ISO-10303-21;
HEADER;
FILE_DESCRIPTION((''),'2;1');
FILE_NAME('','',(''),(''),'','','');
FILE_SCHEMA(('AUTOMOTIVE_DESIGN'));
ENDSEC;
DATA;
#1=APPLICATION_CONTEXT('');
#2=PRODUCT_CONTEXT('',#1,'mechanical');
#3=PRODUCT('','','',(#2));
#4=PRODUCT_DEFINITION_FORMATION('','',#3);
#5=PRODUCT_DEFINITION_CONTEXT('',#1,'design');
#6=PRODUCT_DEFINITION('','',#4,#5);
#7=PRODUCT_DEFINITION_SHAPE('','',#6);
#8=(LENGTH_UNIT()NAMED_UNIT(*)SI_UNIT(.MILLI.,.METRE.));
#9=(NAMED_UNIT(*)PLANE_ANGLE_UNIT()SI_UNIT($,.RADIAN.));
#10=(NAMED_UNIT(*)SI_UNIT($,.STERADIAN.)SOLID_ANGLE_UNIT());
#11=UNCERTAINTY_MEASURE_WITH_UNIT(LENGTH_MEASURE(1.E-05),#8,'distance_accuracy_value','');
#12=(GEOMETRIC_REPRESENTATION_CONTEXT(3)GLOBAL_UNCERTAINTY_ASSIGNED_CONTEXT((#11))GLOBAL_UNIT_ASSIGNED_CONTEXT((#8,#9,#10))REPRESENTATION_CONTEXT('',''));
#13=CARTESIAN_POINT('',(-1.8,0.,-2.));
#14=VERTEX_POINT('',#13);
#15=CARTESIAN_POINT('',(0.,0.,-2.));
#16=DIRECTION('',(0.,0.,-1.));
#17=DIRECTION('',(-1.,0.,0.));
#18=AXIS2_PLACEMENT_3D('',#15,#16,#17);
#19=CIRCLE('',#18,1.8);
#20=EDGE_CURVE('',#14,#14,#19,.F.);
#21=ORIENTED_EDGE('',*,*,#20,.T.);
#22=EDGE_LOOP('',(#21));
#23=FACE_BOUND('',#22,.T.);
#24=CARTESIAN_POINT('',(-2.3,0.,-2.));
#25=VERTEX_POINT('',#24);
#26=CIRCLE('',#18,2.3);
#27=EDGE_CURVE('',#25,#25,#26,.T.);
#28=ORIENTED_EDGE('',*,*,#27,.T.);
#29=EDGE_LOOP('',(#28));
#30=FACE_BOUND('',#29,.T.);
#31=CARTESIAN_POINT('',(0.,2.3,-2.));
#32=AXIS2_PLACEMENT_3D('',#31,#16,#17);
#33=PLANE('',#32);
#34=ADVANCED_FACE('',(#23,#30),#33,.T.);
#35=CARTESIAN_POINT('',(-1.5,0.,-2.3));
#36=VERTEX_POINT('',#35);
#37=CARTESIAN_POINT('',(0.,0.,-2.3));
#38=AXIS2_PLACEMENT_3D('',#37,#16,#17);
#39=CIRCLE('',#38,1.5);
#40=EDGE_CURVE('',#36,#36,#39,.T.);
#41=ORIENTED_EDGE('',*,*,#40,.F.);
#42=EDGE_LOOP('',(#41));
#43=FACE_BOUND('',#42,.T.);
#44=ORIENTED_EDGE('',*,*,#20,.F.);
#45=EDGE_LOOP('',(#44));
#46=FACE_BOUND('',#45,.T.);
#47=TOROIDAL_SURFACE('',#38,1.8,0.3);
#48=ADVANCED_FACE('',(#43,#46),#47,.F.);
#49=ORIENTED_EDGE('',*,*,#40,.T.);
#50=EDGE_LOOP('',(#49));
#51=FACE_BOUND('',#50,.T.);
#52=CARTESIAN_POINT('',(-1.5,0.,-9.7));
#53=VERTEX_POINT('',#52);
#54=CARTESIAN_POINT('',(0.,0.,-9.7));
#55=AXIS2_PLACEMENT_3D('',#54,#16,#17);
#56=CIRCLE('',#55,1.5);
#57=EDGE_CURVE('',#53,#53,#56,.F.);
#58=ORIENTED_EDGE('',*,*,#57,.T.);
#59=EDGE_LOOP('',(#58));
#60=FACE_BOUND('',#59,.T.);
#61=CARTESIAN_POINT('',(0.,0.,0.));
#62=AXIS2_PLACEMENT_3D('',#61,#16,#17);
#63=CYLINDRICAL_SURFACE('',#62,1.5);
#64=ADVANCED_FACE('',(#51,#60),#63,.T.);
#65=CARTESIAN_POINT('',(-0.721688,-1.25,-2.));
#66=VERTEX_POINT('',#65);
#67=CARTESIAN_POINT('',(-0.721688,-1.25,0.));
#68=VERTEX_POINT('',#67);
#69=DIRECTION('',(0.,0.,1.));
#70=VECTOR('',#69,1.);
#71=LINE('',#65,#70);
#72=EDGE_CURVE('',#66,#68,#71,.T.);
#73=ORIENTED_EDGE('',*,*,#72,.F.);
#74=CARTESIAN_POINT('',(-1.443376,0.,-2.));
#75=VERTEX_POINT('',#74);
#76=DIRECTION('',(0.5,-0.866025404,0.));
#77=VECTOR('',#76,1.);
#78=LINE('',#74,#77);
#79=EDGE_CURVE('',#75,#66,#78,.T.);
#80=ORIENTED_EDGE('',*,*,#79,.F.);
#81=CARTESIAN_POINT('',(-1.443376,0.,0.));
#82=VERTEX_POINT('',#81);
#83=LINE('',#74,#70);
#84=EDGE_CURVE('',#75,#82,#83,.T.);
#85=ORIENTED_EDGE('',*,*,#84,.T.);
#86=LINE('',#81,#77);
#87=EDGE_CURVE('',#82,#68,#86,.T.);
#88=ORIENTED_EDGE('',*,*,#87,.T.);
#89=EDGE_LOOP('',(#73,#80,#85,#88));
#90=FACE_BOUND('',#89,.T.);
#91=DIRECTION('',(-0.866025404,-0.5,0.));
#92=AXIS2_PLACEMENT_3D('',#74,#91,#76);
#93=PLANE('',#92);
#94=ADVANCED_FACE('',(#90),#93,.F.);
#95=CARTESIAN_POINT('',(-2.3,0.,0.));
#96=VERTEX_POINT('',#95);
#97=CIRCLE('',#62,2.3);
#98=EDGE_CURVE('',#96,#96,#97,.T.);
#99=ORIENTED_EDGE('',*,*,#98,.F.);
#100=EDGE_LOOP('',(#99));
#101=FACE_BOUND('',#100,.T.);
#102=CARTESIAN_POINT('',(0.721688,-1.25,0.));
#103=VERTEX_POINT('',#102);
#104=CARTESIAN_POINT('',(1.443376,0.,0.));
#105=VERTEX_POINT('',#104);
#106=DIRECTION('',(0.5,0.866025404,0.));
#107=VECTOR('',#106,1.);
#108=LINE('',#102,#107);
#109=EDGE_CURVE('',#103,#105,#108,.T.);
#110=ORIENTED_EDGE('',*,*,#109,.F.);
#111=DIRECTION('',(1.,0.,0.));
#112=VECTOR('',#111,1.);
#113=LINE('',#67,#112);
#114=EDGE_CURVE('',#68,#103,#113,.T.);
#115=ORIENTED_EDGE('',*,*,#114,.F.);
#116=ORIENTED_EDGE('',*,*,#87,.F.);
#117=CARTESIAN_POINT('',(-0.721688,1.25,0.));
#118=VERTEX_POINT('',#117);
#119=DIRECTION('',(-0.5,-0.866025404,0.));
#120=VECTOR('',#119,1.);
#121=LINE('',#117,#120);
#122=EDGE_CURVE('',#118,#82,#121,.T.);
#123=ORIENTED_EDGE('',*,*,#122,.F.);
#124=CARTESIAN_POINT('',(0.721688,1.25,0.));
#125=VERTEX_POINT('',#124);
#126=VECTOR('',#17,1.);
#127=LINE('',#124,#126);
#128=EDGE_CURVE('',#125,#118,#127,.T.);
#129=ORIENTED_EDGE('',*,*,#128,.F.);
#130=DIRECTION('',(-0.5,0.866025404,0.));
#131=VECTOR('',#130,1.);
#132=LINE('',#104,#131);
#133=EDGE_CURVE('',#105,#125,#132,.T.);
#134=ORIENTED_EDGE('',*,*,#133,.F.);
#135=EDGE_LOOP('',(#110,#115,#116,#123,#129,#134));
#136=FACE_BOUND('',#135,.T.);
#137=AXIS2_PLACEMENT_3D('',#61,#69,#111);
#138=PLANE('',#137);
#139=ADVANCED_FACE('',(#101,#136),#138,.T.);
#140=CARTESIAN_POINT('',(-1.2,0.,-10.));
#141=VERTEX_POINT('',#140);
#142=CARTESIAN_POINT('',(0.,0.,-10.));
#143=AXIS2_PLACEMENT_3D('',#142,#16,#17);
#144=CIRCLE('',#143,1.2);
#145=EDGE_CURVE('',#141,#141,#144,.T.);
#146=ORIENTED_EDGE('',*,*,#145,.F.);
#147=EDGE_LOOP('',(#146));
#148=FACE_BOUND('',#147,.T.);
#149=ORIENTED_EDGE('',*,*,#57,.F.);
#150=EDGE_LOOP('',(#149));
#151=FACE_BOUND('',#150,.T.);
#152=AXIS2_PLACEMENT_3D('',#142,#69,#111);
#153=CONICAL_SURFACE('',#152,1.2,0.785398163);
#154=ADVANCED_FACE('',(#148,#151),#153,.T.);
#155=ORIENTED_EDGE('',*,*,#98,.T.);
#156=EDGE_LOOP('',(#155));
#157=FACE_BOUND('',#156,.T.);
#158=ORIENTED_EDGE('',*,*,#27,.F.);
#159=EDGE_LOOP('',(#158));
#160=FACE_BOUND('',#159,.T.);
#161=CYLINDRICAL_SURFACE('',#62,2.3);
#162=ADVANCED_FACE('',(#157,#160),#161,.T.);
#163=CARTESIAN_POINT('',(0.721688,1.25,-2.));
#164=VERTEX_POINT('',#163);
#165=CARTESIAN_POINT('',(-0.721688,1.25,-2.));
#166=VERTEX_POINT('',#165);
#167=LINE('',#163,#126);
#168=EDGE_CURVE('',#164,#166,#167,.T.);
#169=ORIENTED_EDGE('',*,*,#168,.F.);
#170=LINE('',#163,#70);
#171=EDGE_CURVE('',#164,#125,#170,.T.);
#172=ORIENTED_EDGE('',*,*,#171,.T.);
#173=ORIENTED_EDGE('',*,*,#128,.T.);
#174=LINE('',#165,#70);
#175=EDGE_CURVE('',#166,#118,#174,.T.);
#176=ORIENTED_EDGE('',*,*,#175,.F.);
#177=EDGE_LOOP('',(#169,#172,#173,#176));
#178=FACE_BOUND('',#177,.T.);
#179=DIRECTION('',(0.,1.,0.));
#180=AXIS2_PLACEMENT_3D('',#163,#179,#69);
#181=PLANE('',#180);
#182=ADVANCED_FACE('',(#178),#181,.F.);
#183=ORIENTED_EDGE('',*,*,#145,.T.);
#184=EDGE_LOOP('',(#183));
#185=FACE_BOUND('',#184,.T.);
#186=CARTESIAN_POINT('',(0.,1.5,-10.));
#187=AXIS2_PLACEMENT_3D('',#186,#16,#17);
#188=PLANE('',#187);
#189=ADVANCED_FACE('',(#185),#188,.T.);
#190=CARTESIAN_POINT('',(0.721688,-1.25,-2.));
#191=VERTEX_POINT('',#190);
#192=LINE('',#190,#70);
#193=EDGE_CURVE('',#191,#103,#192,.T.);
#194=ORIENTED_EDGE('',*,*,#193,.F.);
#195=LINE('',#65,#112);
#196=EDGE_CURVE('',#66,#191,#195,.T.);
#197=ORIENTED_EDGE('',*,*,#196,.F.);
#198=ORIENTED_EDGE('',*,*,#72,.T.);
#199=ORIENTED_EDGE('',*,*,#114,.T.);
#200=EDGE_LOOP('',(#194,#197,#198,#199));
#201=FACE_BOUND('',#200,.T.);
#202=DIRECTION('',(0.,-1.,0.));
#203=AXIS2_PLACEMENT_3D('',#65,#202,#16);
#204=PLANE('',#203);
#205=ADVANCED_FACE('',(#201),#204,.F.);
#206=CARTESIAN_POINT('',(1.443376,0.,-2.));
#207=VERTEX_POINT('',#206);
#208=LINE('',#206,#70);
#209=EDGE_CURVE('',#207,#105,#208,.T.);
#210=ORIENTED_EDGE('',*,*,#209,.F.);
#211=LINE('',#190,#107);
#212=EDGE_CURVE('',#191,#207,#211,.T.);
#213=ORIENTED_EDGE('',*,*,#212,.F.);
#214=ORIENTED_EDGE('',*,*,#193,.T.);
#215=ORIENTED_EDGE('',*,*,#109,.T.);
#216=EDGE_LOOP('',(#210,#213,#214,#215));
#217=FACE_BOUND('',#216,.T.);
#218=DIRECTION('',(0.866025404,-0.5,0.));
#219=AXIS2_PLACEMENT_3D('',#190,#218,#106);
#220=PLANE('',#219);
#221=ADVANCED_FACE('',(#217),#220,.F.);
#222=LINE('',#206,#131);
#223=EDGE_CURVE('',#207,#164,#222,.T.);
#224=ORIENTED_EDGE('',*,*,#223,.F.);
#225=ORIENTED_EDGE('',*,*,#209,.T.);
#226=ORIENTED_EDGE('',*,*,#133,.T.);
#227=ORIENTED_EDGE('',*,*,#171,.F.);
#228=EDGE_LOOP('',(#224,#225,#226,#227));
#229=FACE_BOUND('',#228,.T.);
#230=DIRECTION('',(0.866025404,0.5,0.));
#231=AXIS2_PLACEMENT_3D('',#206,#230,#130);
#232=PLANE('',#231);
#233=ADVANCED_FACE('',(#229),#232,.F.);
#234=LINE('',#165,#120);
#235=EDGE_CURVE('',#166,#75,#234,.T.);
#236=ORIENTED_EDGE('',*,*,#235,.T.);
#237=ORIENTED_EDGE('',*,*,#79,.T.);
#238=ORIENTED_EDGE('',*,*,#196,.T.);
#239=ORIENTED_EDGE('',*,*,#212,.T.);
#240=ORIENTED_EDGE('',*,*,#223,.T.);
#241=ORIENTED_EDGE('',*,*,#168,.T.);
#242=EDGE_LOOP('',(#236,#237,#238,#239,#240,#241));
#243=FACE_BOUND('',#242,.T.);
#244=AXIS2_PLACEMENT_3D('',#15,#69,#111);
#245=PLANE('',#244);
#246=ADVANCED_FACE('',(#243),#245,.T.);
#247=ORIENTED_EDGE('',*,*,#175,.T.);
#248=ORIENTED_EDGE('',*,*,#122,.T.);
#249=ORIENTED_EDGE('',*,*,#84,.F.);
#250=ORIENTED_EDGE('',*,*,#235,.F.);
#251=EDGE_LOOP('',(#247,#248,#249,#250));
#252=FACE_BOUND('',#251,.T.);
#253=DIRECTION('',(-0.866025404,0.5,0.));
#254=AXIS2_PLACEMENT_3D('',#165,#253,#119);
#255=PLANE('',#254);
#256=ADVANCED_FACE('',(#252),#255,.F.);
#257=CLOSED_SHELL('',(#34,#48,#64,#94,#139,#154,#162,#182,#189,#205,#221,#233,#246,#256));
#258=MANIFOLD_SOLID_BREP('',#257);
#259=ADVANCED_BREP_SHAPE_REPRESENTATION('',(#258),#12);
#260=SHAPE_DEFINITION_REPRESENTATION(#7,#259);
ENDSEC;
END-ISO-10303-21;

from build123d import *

# Parameters (mm, degrees)
CUT_EXTRUDE_1_DEPTH = 2
FILLET_1_R          = 0.3
CHAMFER_1_SIZE      = 0.3


with BuildPart() as part:
    # Эскиз1 → Повернуть1 (revolve)
    with BuildSketch(Plane(origin=(0, 0, 0), x_dir=(0, 0, -1), z_dir=(1, 0, 0))):
        Polygon((0, 0), (0, 2.3), (2, 2.3), (2, 1.5), (10, 1.5), (10, 0), align=None)
    revolve(axis=Axis((0, 0, 0), (0, 0, 1)))

    # Эскиз2 → Вырез-Вытянуть1 (cut)
    with BuildSketch(Plane.XY):
        Polygon((1.443375673, 0), (0.721687836, 1.25), (-0.721687836, 1.25), (-1.443375673, 0), (-0.721687836, -1.25), (0.721687836, -1.25), align=None)
    extrude(amount=-CUT_EXTRUDE_1_DEPTH, mode=Mode.SUBTRACT)

    # Скругление1
    fillet_1_edges = [part.edges().sort_by_distance(p)[0] for p in [
        (0, -1.5, -2),
    ]]
    fillet(fillet_1_edges, radius=FILLET_1_R)

    # Фаска1
    chamfer_1_edges = [part.edges().sort_by_distance(p)[0] for p in [
        (0, -1.5, -10),
    ]]
    chamfer(chamfer_1_edges, length=CHAMFER_1_SIZE)


solid = part.part
